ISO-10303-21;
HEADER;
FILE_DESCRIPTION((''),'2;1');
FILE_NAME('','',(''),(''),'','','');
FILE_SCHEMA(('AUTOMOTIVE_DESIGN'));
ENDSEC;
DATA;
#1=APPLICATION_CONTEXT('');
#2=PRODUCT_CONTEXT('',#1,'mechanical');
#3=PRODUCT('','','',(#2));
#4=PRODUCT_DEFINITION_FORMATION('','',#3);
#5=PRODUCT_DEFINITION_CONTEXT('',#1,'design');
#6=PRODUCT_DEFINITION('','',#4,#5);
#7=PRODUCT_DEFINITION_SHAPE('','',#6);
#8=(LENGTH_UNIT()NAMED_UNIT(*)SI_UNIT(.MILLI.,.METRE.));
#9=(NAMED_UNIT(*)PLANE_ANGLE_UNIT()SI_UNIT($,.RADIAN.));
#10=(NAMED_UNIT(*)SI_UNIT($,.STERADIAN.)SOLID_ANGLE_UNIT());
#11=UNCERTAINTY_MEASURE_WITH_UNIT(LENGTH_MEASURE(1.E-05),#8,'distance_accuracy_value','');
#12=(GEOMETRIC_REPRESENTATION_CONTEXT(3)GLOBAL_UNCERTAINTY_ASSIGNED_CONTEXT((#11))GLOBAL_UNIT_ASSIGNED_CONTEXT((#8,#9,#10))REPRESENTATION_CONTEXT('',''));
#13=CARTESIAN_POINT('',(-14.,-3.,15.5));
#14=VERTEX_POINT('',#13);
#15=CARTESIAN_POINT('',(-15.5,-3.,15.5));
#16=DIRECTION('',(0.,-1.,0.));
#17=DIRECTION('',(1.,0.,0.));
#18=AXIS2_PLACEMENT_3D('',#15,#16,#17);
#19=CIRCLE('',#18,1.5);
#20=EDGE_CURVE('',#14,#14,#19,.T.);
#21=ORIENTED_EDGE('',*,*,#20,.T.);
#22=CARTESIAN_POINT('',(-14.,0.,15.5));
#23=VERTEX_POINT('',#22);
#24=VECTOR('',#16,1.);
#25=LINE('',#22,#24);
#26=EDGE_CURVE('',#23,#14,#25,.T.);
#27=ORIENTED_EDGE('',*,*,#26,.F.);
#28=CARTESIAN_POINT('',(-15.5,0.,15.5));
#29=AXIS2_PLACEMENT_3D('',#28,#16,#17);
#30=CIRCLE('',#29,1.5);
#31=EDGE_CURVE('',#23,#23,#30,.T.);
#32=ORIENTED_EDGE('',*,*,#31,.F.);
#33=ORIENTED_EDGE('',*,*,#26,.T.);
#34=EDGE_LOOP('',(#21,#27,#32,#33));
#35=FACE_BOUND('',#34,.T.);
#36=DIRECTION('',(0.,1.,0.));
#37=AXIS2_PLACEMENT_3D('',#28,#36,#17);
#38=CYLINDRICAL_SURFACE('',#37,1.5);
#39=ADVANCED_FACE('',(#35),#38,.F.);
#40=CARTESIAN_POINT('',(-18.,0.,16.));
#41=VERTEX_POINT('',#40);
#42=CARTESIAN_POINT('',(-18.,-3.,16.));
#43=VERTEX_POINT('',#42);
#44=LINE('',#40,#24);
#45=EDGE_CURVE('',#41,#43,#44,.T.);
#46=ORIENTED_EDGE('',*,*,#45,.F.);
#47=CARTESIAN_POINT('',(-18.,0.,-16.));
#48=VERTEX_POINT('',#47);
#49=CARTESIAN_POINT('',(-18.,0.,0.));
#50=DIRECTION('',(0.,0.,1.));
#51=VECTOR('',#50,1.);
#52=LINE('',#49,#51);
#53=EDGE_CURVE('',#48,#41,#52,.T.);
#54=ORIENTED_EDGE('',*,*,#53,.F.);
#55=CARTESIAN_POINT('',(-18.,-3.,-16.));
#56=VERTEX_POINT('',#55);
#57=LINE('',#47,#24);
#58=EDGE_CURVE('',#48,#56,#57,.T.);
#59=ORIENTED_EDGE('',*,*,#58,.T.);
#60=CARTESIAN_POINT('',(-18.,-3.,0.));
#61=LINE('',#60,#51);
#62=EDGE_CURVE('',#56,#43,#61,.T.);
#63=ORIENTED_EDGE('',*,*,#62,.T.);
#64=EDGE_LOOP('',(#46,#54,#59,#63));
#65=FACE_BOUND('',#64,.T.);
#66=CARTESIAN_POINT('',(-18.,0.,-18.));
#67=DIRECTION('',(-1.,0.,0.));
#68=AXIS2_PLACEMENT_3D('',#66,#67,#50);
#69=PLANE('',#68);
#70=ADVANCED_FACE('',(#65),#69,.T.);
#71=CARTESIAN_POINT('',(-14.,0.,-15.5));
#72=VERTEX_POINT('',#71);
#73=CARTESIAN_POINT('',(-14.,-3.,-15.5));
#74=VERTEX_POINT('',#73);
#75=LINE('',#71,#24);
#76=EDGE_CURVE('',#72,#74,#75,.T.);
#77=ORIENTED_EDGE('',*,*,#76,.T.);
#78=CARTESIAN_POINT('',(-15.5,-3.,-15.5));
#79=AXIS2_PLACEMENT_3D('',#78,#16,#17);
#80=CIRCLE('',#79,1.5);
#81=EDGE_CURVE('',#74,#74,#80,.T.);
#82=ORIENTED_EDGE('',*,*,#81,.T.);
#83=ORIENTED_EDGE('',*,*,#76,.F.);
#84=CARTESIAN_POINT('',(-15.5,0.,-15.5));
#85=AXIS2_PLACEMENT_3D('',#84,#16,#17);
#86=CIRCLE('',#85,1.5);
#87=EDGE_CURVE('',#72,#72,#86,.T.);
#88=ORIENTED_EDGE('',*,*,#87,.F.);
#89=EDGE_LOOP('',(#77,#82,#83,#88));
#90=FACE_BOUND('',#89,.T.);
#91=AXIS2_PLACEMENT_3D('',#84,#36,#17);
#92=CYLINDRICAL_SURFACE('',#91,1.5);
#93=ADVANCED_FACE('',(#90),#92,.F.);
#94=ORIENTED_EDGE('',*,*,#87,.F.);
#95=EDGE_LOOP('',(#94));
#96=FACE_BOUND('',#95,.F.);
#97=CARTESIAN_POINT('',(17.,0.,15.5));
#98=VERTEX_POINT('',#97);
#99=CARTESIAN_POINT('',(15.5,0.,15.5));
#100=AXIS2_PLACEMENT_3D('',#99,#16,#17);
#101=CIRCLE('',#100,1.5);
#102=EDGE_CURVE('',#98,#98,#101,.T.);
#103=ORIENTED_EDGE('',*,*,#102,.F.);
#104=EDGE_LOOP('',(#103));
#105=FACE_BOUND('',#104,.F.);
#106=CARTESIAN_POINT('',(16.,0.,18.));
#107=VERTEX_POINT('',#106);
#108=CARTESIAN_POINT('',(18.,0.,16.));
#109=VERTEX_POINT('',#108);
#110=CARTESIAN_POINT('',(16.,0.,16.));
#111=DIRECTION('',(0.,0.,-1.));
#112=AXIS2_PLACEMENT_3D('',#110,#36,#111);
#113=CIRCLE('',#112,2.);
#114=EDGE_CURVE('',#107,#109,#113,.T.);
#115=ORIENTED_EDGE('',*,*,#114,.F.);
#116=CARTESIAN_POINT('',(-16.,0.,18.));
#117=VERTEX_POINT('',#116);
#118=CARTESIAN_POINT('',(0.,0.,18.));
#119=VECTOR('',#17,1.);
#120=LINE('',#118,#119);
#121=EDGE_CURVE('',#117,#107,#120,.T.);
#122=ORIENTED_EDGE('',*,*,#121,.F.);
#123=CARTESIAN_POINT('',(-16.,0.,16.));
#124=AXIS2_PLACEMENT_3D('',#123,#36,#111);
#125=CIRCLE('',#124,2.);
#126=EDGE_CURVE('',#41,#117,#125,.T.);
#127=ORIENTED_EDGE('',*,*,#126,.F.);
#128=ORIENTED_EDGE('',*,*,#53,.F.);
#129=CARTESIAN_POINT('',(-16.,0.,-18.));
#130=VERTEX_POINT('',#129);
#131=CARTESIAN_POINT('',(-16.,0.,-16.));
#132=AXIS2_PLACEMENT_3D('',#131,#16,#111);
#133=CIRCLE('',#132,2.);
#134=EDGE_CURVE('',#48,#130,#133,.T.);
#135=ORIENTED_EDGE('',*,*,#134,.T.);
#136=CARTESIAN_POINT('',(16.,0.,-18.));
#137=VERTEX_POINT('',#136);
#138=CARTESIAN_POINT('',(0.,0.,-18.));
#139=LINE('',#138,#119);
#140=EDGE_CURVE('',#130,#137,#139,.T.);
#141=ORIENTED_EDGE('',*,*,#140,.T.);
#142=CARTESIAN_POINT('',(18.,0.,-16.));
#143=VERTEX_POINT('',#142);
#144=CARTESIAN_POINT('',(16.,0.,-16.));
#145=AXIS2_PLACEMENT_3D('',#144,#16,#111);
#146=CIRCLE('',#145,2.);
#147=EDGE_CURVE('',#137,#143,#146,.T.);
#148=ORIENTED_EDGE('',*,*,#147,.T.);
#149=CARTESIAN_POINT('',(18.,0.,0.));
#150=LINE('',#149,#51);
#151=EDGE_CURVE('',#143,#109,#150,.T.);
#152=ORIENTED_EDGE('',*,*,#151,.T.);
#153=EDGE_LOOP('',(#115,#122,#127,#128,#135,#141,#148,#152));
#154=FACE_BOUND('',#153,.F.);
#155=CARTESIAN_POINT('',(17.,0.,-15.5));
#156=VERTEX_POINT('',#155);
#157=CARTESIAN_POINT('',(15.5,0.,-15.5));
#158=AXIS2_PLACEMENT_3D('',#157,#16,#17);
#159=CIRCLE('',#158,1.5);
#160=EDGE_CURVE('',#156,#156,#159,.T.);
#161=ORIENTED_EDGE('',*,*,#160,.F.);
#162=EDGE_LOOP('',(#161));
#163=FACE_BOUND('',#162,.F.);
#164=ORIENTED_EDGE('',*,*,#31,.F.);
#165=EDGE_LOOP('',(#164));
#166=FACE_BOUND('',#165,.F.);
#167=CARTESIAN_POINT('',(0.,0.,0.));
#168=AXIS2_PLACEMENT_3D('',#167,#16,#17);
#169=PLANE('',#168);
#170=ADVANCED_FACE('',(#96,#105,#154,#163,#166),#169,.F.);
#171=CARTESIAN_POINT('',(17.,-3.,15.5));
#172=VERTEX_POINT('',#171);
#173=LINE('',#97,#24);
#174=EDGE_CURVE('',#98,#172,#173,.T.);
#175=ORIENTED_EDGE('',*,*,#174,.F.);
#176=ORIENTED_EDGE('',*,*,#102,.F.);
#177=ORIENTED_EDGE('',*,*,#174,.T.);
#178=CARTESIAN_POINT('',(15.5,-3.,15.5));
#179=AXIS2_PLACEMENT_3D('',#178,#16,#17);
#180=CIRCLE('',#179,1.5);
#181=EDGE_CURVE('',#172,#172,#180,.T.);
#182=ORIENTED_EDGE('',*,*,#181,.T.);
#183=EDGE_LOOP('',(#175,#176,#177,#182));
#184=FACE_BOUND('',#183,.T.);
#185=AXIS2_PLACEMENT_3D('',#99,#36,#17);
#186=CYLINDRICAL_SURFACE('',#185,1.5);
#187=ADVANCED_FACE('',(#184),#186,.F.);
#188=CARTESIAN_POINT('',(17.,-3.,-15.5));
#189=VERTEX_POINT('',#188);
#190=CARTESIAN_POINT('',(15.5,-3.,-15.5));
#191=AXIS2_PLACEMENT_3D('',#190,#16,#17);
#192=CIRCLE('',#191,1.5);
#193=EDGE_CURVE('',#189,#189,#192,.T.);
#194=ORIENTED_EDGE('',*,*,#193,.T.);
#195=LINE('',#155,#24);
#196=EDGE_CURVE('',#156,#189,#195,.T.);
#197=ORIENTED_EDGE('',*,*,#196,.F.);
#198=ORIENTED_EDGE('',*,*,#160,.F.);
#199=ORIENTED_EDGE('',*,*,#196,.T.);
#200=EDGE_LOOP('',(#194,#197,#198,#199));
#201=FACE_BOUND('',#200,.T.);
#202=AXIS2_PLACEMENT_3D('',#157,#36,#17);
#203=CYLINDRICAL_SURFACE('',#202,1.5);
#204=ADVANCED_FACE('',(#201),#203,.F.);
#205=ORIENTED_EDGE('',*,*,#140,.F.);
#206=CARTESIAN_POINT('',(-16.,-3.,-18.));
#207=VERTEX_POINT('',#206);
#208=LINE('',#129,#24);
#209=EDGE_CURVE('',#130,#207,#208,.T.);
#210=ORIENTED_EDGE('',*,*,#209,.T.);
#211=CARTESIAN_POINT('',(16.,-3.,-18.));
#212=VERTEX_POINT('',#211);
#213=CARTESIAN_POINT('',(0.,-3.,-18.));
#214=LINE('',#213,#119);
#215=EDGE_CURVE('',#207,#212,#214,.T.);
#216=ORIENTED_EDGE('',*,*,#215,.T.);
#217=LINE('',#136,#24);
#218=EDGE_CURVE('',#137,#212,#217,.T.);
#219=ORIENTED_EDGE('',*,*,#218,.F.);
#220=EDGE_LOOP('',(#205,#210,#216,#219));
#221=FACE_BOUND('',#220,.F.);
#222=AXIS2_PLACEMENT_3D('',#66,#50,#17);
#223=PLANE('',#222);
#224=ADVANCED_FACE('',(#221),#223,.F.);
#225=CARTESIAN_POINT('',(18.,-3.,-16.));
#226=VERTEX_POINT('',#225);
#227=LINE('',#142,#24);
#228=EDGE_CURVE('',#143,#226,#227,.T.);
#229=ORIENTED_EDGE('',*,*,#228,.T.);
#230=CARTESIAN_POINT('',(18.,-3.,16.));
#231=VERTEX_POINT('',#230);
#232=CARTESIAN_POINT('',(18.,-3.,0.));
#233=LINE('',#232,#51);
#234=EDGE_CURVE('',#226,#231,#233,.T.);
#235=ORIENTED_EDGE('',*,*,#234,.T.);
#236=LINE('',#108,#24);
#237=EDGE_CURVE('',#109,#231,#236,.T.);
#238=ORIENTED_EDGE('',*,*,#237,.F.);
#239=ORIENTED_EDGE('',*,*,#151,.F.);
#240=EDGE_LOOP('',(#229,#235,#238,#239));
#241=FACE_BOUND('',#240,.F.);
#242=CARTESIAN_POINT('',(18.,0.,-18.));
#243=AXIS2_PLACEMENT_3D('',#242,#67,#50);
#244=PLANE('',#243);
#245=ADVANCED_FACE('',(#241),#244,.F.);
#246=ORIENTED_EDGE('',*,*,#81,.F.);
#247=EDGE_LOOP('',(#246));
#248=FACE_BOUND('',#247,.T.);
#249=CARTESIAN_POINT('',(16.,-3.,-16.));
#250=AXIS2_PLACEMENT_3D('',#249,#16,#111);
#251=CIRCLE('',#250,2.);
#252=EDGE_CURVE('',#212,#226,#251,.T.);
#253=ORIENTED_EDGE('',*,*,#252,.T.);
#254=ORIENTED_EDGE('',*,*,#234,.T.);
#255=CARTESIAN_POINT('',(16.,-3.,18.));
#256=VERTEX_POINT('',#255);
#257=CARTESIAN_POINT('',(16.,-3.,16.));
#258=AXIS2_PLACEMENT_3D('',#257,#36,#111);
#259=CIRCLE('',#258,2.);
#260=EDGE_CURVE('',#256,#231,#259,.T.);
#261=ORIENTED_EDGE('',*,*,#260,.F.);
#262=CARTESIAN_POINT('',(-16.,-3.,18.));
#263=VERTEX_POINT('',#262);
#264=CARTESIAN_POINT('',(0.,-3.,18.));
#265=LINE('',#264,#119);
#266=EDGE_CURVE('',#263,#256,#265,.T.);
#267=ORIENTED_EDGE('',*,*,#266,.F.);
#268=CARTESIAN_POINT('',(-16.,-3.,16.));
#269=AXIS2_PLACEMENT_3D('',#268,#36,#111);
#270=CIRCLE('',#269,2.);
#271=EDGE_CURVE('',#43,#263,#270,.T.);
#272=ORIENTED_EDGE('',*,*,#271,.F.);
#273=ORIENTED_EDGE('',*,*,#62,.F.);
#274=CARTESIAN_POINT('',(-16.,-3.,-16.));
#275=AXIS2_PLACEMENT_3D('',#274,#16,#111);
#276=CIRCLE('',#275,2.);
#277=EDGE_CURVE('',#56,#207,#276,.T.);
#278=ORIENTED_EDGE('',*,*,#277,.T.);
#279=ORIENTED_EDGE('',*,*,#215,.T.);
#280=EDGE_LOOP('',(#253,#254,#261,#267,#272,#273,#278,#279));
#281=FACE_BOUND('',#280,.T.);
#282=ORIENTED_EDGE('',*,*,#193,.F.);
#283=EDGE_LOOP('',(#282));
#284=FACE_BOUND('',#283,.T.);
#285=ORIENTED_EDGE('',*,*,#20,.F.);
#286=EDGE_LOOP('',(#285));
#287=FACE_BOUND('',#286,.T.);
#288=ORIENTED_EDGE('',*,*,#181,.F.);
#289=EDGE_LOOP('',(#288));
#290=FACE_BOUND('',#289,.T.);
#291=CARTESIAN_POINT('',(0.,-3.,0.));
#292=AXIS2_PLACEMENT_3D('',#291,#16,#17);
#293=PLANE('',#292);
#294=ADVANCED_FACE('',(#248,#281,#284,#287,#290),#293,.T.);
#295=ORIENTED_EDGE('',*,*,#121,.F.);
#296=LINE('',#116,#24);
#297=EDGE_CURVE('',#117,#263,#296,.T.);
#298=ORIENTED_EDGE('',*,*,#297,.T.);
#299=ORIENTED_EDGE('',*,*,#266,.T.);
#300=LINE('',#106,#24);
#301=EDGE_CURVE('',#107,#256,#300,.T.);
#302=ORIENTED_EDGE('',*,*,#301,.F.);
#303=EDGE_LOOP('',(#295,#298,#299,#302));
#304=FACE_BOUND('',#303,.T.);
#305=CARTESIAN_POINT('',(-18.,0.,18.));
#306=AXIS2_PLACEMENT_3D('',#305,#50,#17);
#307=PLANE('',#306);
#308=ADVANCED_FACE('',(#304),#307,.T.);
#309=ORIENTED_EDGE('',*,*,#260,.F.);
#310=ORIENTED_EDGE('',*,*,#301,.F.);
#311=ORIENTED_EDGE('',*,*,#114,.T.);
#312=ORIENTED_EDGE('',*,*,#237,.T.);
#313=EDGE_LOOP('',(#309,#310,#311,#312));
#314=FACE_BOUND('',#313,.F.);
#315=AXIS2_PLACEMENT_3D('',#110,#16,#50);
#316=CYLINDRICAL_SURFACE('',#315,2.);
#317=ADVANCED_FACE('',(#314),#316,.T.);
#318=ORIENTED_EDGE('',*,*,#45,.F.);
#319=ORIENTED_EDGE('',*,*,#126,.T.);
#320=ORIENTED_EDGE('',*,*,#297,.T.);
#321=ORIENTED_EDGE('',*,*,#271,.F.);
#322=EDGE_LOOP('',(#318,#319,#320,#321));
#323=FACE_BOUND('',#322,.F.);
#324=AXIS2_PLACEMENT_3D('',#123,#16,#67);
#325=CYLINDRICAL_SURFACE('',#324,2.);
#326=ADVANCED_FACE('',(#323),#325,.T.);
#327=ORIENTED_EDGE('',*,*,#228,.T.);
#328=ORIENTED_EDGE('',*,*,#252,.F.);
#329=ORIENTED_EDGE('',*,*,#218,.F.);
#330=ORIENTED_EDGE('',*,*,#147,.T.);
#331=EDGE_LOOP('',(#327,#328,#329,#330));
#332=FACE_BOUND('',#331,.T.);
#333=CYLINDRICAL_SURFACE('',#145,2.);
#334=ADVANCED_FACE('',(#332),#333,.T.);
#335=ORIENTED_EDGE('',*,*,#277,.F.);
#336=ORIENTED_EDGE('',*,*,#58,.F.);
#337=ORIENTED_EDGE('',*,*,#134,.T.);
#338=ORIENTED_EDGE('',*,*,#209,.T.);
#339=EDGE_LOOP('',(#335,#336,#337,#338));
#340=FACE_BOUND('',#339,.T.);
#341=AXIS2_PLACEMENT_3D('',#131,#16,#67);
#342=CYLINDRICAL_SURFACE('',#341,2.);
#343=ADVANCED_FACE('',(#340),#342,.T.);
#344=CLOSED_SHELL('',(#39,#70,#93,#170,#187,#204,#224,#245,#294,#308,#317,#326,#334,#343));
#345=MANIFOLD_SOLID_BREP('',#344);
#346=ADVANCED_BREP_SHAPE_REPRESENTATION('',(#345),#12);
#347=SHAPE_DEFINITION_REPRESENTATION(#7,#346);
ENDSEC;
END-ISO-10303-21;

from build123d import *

# Parameters (mm, degrees)
F0_W     = 36
F0_H     = 36
F0_R     = 1.5
F1_DEPTH = 3
F2_R     = 2


with BuildPart() as f1:
    # F0 (on Front) → F1 (new body)
    with BuildSketch(Plane.XZ):
        Rectangle(F0_W, F0_H)
        with Locations((-15.5, -15.5)):
            Circle(F0_R, mode=Mode.SUBTRACT)
        with Locations((15.5, -15.5)):
            Circle(F0_R, mode=Mode.SUBTRACT)
        with Locations((-15.5, 15.5)):
            Circle(F0_R, mode=Mode.SUBTRACT)
        with Locations((15.5, 15.5)):
            Circle(F0_R, mode=Mode.SUBTRACT)
    extrude(amount=F1_DEPTH)

    # F2
    f2_edges = [f1.edges().sort_by_distance(p)[0] for p in [
        (-18, -1.5, 18),
        (-18, -1.5, -18),
        (18, -1.5, -18),
        (18, -1.5, 18),
    ]]
    fillet(f2_edges, radius=F2_R)


solid = f1.part
